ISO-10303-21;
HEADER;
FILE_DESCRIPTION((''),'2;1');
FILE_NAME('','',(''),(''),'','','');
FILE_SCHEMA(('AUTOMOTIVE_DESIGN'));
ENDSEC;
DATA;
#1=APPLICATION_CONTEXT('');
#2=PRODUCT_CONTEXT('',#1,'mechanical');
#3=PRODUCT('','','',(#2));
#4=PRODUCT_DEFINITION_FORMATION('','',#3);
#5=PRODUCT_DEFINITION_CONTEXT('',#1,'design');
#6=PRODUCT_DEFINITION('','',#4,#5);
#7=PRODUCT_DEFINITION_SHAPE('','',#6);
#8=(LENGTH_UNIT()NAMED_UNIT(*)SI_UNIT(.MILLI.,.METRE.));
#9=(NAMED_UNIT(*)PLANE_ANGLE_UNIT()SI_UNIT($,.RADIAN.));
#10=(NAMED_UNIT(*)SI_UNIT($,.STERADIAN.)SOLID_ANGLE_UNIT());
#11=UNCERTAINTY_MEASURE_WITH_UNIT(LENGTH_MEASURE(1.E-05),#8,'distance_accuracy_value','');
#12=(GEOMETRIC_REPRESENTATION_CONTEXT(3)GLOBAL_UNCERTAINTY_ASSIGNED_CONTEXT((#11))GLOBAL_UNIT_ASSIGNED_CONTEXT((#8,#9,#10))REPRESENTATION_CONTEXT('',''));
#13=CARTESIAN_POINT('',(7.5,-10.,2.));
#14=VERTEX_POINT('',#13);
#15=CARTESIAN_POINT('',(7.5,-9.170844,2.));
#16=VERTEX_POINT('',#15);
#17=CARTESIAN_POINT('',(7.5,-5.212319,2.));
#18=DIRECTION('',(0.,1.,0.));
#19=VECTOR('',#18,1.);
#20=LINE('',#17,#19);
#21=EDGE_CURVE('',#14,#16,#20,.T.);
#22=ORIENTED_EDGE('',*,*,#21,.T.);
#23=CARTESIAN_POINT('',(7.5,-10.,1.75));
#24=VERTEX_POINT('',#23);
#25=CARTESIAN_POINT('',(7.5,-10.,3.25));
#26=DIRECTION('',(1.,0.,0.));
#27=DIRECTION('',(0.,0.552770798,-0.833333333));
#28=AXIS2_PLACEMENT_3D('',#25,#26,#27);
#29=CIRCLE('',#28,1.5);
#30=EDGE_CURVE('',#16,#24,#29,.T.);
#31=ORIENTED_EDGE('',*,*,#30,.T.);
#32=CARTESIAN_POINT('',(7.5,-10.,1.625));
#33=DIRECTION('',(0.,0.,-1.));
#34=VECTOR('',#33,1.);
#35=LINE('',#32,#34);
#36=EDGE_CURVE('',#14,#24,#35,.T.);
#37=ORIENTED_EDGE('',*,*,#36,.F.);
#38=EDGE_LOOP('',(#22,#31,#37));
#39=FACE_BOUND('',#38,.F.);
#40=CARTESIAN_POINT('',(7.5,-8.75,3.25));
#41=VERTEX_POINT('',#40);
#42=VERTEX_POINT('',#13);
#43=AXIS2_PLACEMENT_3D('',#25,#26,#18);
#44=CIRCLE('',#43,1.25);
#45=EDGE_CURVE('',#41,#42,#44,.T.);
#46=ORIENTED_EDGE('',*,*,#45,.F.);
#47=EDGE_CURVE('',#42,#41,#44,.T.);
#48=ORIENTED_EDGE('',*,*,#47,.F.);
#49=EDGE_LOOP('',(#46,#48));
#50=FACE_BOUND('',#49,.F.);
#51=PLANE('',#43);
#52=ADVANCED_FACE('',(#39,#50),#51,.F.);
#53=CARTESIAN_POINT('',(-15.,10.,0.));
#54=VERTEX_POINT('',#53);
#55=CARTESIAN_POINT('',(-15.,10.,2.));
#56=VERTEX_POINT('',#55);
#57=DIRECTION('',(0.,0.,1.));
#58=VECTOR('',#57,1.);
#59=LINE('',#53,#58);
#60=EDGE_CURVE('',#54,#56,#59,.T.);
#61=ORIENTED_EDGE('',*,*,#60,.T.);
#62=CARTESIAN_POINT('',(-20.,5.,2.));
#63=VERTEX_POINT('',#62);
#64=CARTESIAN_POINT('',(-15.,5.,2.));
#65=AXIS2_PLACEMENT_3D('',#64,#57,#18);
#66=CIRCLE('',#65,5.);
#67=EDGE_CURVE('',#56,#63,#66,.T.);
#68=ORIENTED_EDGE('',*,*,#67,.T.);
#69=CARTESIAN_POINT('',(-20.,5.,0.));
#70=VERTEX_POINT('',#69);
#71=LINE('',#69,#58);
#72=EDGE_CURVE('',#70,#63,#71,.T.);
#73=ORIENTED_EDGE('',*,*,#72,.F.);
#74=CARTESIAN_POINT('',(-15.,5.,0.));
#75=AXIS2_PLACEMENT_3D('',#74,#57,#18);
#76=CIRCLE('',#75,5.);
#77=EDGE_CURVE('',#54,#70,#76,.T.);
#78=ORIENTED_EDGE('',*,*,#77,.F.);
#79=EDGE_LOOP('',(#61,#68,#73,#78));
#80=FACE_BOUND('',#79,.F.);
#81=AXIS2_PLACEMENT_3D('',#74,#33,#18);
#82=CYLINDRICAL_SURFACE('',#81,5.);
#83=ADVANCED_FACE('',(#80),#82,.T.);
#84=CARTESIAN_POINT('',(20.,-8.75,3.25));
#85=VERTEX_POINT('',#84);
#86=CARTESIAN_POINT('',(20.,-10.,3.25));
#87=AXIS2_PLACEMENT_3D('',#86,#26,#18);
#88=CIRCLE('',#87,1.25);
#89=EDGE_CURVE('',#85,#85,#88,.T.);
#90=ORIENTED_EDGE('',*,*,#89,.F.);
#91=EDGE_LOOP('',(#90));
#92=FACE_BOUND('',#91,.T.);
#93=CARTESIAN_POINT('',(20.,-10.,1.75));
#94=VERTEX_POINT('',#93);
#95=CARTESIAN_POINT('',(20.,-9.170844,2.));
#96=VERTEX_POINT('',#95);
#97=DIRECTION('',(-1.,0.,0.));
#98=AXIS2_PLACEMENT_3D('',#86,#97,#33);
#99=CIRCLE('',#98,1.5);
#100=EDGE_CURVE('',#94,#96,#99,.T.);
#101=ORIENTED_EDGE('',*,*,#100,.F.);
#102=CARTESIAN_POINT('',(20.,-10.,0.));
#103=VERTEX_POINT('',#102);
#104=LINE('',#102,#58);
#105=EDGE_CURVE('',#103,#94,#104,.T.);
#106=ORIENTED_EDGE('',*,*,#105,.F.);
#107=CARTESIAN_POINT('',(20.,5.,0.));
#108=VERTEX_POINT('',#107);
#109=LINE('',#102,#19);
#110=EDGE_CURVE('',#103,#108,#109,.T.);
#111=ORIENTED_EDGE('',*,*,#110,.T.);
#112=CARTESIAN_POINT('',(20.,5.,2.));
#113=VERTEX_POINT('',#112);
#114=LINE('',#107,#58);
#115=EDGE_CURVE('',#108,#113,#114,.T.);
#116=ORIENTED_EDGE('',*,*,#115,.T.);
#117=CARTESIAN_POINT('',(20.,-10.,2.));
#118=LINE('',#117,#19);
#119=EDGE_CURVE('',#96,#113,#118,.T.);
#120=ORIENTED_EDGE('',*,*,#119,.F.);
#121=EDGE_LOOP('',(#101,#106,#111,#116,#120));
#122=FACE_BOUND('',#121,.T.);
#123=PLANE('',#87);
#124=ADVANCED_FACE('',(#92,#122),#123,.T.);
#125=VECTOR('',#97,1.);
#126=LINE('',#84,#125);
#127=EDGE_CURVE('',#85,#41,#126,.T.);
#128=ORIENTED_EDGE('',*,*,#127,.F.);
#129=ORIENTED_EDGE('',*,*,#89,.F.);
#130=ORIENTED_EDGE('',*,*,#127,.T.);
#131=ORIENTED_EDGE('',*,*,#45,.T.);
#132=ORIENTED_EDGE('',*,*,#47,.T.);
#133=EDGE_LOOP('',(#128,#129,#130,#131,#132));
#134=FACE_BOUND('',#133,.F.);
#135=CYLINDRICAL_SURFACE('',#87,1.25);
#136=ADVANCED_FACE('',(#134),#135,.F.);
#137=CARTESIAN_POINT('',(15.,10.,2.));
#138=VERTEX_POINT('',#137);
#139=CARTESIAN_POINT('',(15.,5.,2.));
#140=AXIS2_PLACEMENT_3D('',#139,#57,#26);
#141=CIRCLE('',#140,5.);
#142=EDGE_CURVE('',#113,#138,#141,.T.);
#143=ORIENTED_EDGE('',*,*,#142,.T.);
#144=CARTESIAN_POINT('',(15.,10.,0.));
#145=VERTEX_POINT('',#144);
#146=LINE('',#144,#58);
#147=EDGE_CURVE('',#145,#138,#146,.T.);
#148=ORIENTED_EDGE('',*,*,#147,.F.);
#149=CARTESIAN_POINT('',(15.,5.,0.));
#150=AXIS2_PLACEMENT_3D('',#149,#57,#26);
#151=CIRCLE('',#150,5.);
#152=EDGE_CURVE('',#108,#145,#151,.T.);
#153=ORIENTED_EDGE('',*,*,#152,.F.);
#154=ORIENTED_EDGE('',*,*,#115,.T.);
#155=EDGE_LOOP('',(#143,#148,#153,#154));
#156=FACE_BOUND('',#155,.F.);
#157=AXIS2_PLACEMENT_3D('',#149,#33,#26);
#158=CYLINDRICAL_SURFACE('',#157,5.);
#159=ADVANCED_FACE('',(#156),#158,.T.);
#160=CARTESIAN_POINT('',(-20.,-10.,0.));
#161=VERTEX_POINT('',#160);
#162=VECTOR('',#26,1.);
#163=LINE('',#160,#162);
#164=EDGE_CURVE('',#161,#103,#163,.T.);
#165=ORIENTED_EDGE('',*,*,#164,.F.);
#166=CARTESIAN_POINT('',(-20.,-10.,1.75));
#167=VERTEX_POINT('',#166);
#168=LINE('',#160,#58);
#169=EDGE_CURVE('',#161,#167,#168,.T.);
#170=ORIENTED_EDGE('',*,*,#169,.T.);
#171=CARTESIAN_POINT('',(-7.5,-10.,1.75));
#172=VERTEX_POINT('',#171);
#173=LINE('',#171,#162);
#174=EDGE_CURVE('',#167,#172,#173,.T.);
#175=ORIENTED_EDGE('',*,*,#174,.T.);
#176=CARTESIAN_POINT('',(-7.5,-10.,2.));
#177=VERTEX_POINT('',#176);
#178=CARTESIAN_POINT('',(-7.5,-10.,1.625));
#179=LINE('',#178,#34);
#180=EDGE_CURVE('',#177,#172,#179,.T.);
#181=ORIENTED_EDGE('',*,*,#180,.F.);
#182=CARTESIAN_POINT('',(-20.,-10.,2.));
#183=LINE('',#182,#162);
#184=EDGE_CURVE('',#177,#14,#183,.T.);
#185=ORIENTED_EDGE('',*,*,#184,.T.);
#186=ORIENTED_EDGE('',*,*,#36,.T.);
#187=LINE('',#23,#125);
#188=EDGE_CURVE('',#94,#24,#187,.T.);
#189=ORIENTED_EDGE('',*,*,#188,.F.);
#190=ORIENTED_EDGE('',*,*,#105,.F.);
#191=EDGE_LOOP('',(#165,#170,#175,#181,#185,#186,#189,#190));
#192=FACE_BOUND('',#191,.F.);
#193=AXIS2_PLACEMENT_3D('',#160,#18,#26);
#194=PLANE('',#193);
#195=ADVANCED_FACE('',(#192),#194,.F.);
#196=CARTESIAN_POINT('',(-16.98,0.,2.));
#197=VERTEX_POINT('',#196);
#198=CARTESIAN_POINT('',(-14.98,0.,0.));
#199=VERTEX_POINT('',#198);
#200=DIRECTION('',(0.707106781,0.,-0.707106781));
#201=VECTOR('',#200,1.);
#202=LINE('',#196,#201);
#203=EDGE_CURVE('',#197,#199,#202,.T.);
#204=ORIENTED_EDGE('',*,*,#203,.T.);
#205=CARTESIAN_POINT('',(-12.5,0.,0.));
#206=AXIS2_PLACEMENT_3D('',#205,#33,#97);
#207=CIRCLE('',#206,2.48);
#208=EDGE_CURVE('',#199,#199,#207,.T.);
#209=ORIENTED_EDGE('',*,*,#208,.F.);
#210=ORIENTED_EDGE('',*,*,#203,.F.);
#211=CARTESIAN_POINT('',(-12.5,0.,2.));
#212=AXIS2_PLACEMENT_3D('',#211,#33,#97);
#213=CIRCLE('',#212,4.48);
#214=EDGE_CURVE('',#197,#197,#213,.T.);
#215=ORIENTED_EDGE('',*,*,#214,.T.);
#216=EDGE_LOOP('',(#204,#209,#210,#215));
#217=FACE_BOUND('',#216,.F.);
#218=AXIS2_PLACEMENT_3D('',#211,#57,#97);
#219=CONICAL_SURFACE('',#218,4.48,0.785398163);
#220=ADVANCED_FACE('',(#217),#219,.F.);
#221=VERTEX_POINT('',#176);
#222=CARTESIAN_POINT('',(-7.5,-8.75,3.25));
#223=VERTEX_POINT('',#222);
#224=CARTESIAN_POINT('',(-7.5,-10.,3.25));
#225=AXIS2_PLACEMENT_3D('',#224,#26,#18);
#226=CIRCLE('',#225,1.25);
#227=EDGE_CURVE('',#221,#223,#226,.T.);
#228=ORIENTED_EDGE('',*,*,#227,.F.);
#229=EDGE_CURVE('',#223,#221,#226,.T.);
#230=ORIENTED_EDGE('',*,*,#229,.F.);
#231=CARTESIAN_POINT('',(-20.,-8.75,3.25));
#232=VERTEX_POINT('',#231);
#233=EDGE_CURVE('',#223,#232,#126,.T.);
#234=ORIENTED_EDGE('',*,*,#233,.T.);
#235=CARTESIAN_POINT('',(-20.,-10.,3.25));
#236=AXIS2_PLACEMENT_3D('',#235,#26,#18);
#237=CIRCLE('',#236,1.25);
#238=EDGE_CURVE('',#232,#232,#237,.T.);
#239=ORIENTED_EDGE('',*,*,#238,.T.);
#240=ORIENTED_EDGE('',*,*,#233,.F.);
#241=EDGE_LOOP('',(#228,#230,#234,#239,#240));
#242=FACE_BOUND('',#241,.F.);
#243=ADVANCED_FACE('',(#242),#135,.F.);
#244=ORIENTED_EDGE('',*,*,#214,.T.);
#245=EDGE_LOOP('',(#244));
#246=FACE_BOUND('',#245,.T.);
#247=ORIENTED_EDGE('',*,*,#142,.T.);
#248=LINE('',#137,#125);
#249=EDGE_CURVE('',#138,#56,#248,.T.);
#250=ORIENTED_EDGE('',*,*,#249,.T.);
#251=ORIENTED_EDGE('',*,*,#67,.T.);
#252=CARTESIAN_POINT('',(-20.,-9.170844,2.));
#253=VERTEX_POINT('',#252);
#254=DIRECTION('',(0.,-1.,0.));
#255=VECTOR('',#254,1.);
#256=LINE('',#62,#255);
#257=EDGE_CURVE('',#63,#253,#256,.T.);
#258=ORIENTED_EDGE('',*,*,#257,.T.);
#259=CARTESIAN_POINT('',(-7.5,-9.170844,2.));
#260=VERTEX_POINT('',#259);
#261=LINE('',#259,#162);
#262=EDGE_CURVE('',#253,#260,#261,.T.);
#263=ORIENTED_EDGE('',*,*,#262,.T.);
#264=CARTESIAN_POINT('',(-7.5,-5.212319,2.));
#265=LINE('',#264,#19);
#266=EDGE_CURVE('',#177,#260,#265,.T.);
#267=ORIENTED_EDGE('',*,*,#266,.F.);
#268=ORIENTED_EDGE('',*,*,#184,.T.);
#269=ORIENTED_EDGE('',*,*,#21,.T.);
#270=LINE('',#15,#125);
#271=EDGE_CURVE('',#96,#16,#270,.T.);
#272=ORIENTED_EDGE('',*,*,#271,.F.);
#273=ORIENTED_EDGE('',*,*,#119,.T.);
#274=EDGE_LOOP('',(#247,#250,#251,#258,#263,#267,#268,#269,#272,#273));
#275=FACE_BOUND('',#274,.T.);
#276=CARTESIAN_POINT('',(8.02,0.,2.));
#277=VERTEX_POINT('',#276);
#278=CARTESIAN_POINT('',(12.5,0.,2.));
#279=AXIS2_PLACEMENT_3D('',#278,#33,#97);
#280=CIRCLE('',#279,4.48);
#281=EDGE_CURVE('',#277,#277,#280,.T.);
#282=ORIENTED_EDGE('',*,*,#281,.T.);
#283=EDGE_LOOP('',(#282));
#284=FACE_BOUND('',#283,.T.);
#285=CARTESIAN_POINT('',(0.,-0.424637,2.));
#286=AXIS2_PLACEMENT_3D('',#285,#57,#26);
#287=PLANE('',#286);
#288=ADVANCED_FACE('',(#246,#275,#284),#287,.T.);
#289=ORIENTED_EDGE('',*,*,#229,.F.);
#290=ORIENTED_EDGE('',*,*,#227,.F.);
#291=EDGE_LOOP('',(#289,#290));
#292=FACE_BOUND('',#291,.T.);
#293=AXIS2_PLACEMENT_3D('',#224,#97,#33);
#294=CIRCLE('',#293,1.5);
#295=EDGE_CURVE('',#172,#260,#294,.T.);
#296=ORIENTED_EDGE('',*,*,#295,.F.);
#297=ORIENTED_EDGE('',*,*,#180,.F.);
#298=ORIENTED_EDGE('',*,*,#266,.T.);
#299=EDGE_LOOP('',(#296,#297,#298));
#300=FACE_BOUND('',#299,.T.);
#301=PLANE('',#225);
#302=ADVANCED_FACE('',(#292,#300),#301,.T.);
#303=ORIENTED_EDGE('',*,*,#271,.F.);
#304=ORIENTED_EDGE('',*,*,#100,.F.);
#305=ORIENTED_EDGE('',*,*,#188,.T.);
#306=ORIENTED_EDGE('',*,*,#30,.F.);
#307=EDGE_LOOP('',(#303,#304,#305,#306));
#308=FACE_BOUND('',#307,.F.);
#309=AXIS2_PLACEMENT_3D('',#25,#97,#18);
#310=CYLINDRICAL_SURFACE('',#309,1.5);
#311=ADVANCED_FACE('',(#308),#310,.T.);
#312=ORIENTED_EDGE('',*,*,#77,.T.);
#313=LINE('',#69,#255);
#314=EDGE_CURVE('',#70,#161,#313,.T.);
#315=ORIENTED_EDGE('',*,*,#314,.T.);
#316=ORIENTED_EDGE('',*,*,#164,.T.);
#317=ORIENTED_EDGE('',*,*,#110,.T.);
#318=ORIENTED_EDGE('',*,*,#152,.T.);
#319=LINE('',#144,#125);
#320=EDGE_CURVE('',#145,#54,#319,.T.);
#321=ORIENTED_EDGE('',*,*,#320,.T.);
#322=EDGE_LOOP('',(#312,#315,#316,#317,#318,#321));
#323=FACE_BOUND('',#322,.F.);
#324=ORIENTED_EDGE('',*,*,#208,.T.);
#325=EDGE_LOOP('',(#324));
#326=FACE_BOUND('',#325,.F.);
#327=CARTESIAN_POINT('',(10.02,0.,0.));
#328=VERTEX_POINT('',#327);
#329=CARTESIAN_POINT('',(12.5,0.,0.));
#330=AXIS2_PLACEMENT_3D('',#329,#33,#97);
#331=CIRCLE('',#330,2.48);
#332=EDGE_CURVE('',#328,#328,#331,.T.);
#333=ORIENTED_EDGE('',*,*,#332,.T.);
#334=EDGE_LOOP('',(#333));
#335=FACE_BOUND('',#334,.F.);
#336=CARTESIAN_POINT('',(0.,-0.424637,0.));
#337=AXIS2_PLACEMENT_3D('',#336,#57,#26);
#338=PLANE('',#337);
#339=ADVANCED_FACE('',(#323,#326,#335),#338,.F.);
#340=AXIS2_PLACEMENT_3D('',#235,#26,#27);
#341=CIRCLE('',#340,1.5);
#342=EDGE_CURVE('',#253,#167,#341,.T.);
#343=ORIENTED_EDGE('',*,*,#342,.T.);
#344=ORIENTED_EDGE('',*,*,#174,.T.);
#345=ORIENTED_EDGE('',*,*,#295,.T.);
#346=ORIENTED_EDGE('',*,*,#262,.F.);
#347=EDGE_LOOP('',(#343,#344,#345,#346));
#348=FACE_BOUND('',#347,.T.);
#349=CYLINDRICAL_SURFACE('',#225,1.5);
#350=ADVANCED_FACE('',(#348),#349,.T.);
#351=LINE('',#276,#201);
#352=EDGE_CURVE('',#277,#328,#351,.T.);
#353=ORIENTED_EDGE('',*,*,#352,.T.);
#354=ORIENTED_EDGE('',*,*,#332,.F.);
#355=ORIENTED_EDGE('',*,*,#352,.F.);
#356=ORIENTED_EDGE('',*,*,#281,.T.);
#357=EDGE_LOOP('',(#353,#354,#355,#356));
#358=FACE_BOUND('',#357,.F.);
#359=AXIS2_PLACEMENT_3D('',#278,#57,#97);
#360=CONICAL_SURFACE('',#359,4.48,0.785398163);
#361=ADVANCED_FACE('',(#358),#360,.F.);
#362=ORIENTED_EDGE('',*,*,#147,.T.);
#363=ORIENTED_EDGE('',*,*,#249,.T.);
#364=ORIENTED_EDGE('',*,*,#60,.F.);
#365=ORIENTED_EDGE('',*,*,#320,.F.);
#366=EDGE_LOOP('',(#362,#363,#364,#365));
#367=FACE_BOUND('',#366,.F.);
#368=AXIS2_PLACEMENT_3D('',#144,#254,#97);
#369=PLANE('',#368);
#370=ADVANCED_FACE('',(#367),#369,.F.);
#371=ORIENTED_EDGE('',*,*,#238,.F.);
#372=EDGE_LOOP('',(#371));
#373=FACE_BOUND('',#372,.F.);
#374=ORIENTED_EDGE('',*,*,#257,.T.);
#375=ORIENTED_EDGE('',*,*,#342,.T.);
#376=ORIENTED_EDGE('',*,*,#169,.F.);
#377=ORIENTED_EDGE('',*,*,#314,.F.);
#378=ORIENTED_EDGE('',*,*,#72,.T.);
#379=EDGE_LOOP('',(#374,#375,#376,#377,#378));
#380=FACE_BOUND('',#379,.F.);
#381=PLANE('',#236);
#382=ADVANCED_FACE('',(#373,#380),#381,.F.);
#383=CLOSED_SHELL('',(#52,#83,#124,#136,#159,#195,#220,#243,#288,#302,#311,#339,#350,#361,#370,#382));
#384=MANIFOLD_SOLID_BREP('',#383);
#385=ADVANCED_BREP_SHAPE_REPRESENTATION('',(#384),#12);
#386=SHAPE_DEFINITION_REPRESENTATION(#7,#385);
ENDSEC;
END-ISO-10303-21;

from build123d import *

# Parameters (mm, degrees)
F1_DEPTH        = 2
F3_R            = 1.5
F6_DEPTH        = 12.5
F5_R            = 1.5
F7_DEPTH        = 12.5
F8_R            = 1.25
F9_DEPTH        = 40
F11_D           = 4.4
F11_DEPTH       = 14.1
F11_CSINK_D     = 8.96
F11_CSINK_ANGLE = 90
F11_TIP         = 1.3218933619


with BuildPart() as f1:
    # F0 (on Top) → F1 (new body)
    with BuildSketch(Plane.XY):
        with BuildLine():
            ThreePointArc((20, 5), (18.5355339059, 8.5355339059), (15, 10))
            Line((15, 10), (-15, 10))
            ThreePointArc((-15, 10), (-18.5355339059, 8.5355339059), (-20, 5))
            Line((-20, 5), (-20, -10))
            Line((-20, -10), (20, -10))
            Line((20, -10), (20, 5))
        make_face()
    extrude(amount=F1_DEPTH)

    # F3 (on offset) → F6 (join, through all)
    with BuildSketch(Plane.YZ.offset(7.5)):
        with Locations((-10, 3.25)):
            Circle(F3_R)
    extrude(amount=F6_DEPTH)

    # F5 (on offset) → F7 (join, through all)
    with BuildSketch(Plane.YZ.offset(-7.5)):
        with Locations((-10, 3.25)):
            Circle(F5_R)
    extrude(amount=-F7_DEPTH)

    # F8 (on face) → F9 (cut, through all)
    with BuildSketch(Plane.YZ.offset(20)):
        with Locations((-10, 3.25)):
            Circle(F8_R)
    extrude(amount=-F9_DEPTH, mode=Mode.SUBTRACT)

    # F11
    with Locations(Plane.XY.offset(2)):
        with Locations((-12.5, 0), (12.5, 0)):
            CounterSinkHole(F11_D / 2, F11_CSINK_D / 2, depth=F11_DEPTH, counter_sink_angle=F11_CSINK_ANGLE)
            with Locations((0, 0, -(F11_DEPTH + F11_TIP / 2))):  # 118° drill point
                Cone(0, F11_D / 2, F11_TIP, mode=Mode.SUBTRACT)


solid = f1.part
